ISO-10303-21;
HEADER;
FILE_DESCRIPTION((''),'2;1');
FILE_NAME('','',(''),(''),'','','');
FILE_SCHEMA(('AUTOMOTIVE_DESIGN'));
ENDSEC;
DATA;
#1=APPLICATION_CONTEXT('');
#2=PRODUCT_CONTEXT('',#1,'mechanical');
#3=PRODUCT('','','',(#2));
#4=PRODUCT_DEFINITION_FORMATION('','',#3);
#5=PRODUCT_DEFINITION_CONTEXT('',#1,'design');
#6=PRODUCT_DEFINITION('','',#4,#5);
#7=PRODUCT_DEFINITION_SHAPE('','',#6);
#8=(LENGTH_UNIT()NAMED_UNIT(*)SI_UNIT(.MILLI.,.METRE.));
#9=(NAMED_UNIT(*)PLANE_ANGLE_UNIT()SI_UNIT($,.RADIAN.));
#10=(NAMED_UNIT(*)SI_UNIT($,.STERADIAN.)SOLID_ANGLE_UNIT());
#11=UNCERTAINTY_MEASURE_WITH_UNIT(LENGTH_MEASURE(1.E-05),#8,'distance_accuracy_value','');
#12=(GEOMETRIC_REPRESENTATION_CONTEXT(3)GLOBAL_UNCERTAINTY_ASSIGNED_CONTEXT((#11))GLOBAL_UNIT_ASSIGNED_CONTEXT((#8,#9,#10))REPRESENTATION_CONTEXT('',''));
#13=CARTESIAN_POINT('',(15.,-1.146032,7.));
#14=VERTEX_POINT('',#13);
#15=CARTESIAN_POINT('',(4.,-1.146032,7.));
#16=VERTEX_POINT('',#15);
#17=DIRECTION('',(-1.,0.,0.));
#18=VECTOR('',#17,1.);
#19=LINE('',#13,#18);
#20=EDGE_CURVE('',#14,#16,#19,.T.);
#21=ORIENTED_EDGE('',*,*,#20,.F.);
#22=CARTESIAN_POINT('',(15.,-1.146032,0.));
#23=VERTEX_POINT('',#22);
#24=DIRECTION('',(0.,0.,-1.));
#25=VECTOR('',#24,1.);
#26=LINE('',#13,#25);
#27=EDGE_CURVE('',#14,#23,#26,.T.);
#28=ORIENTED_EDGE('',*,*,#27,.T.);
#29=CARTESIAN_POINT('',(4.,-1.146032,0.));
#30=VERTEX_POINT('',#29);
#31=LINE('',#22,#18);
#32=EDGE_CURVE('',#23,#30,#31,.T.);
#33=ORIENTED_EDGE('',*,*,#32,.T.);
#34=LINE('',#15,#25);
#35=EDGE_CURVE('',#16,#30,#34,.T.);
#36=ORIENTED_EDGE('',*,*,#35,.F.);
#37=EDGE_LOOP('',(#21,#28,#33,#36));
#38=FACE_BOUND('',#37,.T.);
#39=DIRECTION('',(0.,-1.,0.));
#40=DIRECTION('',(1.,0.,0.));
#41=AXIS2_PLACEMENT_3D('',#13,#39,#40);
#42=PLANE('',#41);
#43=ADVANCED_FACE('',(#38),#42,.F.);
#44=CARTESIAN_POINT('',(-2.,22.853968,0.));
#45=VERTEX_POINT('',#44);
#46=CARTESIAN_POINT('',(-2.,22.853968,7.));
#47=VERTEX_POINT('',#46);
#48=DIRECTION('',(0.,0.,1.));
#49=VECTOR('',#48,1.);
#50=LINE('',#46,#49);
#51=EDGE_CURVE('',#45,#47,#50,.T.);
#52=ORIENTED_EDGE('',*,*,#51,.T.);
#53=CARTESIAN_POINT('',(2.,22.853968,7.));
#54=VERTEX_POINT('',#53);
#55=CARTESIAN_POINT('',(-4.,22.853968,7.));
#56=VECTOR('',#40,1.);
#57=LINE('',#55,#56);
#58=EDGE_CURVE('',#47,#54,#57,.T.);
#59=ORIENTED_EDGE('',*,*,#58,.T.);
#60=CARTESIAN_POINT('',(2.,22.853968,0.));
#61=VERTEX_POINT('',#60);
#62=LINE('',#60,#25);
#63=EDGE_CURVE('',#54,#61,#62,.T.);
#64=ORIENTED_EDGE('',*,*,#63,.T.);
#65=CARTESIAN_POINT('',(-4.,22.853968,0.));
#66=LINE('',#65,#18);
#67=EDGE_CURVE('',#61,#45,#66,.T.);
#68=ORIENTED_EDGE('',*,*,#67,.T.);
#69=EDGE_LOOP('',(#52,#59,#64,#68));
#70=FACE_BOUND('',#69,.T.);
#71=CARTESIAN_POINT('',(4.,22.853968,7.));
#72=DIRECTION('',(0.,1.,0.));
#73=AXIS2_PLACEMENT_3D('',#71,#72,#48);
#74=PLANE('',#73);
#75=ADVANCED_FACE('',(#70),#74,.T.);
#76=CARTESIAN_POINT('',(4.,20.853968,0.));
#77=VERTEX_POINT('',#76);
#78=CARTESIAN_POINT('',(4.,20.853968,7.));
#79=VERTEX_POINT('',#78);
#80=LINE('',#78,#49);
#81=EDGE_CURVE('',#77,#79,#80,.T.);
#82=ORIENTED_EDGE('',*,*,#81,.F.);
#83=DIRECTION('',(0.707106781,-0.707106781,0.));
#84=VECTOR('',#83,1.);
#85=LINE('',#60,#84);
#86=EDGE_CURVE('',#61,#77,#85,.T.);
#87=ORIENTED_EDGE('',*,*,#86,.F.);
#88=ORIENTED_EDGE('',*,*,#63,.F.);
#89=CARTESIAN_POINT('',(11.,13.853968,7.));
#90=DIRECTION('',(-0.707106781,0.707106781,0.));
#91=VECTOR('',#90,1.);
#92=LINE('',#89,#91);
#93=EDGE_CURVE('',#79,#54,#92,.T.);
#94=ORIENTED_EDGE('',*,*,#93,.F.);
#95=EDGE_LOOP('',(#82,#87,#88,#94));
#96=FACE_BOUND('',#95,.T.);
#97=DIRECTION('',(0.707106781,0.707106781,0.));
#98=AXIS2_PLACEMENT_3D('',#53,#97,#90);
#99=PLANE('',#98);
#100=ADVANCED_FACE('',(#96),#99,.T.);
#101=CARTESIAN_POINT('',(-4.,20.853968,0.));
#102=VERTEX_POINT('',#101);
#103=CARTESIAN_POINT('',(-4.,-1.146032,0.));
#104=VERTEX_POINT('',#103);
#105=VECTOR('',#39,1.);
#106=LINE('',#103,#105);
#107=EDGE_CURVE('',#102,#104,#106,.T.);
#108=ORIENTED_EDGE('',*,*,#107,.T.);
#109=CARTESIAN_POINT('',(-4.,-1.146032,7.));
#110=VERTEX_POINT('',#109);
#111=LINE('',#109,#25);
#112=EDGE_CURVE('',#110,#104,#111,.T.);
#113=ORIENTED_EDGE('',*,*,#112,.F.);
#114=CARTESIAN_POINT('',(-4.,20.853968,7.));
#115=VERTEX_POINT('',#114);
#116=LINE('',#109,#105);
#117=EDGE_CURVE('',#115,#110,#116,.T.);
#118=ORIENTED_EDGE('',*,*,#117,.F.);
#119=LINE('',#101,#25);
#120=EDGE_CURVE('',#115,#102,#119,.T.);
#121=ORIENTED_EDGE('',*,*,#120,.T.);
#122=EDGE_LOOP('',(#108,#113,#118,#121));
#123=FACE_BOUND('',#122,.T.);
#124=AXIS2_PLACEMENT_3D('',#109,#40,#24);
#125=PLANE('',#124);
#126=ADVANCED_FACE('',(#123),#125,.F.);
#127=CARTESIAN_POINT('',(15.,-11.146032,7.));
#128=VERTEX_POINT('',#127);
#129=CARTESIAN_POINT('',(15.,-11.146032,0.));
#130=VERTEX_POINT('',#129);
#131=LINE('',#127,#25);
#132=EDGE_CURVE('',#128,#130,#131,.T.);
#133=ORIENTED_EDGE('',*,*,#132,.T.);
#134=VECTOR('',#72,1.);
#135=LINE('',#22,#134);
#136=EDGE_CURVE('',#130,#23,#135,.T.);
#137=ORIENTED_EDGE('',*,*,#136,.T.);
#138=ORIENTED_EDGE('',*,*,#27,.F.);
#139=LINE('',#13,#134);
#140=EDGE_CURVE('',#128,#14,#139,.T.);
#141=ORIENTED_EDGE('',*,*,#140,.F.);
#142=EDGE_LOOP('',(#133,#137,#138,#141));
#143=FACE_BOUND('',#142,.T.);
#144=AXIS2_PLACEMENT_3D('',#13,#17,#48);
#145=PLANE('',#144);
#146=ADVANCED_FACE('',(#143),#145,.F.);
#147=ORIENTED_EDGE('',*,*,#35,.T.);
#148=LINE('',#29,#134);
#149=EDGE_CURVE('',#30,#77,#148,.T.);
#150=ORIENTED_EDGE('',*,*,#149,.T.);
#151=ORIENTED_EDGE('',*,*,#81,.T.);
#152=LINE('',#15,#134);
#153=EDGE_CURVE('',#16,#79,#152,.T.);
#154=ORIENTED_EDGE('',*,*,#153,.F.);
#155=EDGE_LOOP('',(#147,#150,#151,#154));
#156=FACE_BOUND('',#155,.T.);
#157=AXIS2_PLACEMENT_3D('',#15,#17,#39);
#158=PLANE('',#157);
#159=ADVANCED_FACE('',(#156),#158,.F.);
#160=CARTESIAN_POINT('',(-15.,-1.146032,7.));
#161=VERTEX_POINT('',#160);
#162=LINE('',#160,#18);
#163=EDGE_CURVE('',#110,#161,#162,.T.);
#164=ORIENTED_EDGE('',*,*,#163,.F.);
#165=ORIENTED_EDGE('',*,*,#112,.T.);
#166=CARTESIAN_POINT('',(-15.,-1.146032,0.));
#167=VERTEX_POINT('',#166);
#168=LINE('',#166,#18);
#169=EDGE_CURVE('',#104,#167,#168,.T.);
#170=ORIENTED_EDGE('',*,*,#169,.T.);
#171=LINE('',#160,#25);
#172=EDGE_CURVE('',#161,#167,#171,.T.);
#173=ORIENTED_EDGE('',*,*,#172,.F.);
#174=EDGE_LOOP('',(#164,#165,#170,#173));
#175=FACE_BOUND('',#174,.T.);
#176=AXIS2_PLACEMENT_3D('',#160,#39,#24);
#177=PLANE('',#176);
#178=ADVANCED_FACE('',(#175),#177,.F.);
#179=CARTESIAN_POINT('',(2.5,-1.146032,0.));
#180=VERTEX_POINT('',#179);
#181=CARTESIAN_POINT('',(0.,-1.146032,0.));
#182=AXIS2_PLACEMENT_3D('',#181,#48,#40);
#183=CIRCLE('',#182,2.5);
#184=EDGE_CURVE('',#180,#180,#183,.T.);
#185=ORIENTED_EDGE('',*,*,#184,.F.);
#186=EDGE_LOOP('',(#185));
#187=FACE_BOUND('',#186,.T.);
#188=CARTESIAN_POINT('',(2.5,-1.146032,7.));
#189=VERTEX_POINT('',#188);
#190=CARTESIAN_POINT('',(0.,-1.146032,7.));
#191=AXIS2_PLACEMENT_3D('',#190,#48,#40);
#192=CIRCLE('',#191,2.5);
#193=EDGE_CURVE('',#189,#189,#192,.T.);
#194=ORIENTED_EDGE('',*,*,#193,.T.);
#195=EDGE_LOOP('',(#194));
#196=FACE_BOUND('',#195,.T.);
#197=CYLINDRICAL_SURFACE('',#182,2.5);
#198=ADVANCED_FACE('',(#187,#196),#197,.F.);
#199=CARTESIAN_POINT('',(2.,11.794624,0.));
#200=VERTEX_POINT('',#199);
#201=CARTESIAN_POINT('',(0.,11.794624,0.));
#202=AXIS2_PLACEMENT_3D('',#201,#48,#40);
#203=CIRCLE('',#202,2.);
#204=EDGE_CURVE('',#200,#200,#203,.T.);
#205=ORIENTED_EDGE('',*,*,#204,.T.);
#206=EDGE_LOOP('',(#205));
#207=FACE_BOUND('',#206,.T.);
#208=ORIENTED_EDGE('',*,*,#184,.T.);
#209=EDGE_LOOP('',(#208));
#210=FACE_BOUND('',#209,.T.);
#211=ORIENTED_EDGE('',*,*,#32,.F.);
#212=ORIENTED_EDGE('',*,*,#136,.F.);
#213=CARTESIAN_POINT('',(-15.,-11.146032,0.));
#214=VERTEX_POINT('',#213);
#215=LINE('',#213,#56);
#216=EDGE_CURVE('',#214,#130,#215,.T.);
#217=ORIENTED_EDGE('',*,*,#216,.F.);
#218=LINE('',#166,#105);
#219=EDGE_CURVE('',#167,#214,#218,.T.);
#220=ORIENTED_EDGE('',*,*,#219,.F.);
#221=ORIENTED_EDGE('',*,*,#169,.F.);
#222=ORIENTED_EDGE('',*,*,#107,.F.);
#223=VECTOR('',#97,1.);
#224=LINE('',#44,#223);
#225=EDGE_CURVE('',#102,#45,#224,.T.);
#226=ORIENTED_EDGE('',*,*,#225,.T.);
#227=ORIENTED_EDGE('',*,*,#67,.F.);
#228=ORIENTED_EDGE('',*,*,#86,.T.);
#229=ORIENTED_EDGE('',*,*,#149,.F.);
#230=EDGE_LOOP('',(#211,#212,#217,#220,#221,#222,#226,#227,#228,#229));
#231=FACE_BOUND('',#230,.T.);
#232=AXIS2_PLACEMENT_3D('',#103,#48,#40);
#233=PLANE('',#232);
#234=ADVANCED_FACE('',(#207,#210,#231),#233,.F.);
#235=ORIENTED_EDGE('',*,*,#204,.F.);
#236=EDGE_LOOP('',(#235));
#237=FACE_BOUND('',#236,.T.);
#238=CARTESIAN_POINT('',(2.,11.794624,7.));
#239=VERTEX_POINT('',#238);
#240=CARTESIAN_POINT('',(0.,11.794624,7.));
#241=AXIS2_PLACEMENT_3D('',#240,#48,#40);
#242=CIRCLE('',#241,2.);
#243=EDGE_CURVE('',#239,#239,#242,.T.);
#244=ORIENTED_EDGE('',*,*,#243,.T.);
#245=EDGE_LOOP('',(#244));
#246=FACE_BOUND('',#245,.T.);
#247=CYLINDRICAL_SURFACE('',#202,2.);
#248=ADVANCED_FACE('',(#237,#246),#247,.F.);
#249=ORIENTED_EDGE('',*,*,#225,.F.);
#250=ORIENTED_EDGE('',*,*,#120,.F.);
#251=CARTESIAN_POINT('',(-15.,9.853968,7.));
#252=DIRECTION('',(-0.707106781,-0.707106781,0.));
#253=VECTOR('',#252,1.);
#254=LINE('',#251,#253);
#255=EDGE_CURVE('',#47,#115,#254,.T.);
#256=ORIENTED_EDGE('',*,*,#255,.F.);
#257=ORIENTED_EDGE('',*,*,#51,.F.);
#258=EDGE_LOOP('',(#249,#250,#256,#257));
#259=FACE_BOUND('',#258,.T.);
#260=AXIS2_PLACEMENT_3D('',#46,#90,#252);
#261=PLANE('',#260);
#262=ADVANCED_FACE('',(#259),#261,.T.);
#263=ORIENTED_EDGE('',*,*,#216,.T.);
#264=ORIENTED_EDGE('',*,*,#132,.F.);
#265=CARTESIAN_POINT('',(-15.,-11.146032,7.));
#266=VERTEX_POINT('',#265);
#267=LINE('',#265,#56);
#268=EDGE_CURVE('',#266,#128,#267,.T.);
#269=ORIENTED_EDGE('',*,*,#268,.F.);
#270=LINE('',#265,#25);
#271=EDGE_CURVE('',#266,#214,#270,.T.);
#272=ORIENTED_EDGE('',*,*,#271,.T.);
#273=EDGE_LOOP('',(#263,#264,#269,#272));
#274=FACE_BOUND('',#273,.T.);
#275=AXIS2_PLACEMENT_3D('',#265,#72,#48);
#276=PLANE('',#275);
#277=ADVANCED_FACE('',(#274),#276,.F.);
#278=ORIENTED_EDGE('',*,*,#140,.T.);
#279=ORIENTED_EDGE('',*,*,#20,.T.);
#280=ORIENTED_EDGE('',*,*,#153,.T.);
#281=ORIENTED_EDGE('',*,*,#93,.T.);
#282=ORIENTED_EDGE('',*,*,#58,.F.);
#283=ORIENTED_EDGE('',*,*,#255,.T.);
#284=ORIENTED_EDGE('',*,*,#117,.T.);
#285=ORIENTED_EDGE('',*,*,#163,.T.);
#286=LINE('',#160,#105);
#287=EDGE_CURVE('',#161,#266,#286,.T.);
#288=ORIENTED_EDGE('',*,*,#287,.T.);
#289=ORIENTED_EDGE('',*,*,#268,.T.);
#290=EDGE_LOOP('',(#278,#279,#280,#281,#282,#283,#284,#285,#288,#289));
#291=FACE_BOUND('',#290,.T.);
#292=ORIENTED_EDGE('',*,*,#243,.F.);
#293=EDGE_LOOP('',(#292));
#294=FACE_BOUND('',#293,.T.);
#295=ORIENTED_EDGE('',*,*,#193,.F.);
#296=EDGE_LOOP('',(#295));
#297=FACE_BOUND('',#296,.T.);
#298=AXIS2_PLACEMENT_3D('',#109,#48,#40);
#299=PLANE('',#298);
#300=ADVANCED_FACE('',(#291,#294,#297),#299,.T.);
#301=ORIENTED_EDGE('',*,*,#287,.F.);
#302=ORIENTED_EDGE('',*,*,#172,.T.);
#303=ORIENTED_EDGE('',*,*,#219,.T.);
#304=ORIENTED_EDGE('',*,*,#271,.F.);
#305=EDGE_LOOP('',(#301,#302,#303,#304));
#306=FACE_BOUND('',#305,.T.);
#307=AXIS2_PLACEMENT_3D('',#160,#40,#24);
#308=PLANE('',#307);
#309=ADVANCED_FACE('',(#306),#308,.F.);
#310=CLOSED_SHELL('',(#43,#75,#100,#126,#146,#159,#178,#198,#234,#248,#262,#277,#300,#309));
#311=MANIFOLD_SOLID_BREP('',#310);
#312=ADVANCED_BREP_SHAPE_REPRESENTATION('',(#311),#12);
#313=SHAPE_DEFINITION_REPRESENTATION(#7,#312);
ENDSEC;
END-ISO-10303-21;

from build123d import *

# Parameters (mm, degrees)
EXTRUDE_1_DEPTH     = 7
SKETCH_3_W          = 8
SKETCH_3_H          = 7
EXTRUDE_3_DEPTH     = 13.5
SKETCH_2_R          = 2.5
SKETCH_2_R_2        = 1.999999991
CUT_EXTRUDE_2_DEPTH = 29.218856731
CHAMFER_1_SIZE      = 2


with BuildPart() as part:
    # Эскиз1 → Вытянуть1 (new body)
    with BuildSketch(Plane.XY):
        Polygon((-15, -1.146031522), (-15, -11.146031522), (15, -11.146031522), (15, -1.146031522), (4, -1.146031522), (4, 9.353968478), (-4, 9.353968478), (-4, -1.146031522), align=None)
    extrude(amount=EXTRUDE_1_DEPTH)

    # Эскиз3 → Вытянуть3 (add)
    with BuildSketch(Plane(origin=(0, 9.353968478, 0), x_dir=(1, 0, 0), z_dir=(0, 1, 0))):
        with Locations((0, -3.5)):
            Rectangle(SKETCH_3_W, SKETCH_3_H)
    extrude(amount=EXTRUDE_3_DEPTH)

    # Эскиз2 → Вытянуть2 (cut, through all)
    with BuildSketch(Plane.XY.offset(7)):
        with Locations((0, -1.14603177)):
            Circle(SKETCH_2_R)
        with Locations((4.2e-08, 11.794624395)):
            Circle(SKETCH_2_R_2)
    extrude(amount=-CUT_EXTRUDE_2_DEPTH, mode=Mode.SUBTRACT)

    # Фаска1
    chamfer_1_edges = [part.edges().sort_by_distance(p)[0] for p in [
        (4, 22.853968478, 3.5),
        (-4, 22.853968478, 3.5),
    ]]
    chamfer(chamfer_1_edges, length=CHAMFER_1_SIZE)


solid = part.part
